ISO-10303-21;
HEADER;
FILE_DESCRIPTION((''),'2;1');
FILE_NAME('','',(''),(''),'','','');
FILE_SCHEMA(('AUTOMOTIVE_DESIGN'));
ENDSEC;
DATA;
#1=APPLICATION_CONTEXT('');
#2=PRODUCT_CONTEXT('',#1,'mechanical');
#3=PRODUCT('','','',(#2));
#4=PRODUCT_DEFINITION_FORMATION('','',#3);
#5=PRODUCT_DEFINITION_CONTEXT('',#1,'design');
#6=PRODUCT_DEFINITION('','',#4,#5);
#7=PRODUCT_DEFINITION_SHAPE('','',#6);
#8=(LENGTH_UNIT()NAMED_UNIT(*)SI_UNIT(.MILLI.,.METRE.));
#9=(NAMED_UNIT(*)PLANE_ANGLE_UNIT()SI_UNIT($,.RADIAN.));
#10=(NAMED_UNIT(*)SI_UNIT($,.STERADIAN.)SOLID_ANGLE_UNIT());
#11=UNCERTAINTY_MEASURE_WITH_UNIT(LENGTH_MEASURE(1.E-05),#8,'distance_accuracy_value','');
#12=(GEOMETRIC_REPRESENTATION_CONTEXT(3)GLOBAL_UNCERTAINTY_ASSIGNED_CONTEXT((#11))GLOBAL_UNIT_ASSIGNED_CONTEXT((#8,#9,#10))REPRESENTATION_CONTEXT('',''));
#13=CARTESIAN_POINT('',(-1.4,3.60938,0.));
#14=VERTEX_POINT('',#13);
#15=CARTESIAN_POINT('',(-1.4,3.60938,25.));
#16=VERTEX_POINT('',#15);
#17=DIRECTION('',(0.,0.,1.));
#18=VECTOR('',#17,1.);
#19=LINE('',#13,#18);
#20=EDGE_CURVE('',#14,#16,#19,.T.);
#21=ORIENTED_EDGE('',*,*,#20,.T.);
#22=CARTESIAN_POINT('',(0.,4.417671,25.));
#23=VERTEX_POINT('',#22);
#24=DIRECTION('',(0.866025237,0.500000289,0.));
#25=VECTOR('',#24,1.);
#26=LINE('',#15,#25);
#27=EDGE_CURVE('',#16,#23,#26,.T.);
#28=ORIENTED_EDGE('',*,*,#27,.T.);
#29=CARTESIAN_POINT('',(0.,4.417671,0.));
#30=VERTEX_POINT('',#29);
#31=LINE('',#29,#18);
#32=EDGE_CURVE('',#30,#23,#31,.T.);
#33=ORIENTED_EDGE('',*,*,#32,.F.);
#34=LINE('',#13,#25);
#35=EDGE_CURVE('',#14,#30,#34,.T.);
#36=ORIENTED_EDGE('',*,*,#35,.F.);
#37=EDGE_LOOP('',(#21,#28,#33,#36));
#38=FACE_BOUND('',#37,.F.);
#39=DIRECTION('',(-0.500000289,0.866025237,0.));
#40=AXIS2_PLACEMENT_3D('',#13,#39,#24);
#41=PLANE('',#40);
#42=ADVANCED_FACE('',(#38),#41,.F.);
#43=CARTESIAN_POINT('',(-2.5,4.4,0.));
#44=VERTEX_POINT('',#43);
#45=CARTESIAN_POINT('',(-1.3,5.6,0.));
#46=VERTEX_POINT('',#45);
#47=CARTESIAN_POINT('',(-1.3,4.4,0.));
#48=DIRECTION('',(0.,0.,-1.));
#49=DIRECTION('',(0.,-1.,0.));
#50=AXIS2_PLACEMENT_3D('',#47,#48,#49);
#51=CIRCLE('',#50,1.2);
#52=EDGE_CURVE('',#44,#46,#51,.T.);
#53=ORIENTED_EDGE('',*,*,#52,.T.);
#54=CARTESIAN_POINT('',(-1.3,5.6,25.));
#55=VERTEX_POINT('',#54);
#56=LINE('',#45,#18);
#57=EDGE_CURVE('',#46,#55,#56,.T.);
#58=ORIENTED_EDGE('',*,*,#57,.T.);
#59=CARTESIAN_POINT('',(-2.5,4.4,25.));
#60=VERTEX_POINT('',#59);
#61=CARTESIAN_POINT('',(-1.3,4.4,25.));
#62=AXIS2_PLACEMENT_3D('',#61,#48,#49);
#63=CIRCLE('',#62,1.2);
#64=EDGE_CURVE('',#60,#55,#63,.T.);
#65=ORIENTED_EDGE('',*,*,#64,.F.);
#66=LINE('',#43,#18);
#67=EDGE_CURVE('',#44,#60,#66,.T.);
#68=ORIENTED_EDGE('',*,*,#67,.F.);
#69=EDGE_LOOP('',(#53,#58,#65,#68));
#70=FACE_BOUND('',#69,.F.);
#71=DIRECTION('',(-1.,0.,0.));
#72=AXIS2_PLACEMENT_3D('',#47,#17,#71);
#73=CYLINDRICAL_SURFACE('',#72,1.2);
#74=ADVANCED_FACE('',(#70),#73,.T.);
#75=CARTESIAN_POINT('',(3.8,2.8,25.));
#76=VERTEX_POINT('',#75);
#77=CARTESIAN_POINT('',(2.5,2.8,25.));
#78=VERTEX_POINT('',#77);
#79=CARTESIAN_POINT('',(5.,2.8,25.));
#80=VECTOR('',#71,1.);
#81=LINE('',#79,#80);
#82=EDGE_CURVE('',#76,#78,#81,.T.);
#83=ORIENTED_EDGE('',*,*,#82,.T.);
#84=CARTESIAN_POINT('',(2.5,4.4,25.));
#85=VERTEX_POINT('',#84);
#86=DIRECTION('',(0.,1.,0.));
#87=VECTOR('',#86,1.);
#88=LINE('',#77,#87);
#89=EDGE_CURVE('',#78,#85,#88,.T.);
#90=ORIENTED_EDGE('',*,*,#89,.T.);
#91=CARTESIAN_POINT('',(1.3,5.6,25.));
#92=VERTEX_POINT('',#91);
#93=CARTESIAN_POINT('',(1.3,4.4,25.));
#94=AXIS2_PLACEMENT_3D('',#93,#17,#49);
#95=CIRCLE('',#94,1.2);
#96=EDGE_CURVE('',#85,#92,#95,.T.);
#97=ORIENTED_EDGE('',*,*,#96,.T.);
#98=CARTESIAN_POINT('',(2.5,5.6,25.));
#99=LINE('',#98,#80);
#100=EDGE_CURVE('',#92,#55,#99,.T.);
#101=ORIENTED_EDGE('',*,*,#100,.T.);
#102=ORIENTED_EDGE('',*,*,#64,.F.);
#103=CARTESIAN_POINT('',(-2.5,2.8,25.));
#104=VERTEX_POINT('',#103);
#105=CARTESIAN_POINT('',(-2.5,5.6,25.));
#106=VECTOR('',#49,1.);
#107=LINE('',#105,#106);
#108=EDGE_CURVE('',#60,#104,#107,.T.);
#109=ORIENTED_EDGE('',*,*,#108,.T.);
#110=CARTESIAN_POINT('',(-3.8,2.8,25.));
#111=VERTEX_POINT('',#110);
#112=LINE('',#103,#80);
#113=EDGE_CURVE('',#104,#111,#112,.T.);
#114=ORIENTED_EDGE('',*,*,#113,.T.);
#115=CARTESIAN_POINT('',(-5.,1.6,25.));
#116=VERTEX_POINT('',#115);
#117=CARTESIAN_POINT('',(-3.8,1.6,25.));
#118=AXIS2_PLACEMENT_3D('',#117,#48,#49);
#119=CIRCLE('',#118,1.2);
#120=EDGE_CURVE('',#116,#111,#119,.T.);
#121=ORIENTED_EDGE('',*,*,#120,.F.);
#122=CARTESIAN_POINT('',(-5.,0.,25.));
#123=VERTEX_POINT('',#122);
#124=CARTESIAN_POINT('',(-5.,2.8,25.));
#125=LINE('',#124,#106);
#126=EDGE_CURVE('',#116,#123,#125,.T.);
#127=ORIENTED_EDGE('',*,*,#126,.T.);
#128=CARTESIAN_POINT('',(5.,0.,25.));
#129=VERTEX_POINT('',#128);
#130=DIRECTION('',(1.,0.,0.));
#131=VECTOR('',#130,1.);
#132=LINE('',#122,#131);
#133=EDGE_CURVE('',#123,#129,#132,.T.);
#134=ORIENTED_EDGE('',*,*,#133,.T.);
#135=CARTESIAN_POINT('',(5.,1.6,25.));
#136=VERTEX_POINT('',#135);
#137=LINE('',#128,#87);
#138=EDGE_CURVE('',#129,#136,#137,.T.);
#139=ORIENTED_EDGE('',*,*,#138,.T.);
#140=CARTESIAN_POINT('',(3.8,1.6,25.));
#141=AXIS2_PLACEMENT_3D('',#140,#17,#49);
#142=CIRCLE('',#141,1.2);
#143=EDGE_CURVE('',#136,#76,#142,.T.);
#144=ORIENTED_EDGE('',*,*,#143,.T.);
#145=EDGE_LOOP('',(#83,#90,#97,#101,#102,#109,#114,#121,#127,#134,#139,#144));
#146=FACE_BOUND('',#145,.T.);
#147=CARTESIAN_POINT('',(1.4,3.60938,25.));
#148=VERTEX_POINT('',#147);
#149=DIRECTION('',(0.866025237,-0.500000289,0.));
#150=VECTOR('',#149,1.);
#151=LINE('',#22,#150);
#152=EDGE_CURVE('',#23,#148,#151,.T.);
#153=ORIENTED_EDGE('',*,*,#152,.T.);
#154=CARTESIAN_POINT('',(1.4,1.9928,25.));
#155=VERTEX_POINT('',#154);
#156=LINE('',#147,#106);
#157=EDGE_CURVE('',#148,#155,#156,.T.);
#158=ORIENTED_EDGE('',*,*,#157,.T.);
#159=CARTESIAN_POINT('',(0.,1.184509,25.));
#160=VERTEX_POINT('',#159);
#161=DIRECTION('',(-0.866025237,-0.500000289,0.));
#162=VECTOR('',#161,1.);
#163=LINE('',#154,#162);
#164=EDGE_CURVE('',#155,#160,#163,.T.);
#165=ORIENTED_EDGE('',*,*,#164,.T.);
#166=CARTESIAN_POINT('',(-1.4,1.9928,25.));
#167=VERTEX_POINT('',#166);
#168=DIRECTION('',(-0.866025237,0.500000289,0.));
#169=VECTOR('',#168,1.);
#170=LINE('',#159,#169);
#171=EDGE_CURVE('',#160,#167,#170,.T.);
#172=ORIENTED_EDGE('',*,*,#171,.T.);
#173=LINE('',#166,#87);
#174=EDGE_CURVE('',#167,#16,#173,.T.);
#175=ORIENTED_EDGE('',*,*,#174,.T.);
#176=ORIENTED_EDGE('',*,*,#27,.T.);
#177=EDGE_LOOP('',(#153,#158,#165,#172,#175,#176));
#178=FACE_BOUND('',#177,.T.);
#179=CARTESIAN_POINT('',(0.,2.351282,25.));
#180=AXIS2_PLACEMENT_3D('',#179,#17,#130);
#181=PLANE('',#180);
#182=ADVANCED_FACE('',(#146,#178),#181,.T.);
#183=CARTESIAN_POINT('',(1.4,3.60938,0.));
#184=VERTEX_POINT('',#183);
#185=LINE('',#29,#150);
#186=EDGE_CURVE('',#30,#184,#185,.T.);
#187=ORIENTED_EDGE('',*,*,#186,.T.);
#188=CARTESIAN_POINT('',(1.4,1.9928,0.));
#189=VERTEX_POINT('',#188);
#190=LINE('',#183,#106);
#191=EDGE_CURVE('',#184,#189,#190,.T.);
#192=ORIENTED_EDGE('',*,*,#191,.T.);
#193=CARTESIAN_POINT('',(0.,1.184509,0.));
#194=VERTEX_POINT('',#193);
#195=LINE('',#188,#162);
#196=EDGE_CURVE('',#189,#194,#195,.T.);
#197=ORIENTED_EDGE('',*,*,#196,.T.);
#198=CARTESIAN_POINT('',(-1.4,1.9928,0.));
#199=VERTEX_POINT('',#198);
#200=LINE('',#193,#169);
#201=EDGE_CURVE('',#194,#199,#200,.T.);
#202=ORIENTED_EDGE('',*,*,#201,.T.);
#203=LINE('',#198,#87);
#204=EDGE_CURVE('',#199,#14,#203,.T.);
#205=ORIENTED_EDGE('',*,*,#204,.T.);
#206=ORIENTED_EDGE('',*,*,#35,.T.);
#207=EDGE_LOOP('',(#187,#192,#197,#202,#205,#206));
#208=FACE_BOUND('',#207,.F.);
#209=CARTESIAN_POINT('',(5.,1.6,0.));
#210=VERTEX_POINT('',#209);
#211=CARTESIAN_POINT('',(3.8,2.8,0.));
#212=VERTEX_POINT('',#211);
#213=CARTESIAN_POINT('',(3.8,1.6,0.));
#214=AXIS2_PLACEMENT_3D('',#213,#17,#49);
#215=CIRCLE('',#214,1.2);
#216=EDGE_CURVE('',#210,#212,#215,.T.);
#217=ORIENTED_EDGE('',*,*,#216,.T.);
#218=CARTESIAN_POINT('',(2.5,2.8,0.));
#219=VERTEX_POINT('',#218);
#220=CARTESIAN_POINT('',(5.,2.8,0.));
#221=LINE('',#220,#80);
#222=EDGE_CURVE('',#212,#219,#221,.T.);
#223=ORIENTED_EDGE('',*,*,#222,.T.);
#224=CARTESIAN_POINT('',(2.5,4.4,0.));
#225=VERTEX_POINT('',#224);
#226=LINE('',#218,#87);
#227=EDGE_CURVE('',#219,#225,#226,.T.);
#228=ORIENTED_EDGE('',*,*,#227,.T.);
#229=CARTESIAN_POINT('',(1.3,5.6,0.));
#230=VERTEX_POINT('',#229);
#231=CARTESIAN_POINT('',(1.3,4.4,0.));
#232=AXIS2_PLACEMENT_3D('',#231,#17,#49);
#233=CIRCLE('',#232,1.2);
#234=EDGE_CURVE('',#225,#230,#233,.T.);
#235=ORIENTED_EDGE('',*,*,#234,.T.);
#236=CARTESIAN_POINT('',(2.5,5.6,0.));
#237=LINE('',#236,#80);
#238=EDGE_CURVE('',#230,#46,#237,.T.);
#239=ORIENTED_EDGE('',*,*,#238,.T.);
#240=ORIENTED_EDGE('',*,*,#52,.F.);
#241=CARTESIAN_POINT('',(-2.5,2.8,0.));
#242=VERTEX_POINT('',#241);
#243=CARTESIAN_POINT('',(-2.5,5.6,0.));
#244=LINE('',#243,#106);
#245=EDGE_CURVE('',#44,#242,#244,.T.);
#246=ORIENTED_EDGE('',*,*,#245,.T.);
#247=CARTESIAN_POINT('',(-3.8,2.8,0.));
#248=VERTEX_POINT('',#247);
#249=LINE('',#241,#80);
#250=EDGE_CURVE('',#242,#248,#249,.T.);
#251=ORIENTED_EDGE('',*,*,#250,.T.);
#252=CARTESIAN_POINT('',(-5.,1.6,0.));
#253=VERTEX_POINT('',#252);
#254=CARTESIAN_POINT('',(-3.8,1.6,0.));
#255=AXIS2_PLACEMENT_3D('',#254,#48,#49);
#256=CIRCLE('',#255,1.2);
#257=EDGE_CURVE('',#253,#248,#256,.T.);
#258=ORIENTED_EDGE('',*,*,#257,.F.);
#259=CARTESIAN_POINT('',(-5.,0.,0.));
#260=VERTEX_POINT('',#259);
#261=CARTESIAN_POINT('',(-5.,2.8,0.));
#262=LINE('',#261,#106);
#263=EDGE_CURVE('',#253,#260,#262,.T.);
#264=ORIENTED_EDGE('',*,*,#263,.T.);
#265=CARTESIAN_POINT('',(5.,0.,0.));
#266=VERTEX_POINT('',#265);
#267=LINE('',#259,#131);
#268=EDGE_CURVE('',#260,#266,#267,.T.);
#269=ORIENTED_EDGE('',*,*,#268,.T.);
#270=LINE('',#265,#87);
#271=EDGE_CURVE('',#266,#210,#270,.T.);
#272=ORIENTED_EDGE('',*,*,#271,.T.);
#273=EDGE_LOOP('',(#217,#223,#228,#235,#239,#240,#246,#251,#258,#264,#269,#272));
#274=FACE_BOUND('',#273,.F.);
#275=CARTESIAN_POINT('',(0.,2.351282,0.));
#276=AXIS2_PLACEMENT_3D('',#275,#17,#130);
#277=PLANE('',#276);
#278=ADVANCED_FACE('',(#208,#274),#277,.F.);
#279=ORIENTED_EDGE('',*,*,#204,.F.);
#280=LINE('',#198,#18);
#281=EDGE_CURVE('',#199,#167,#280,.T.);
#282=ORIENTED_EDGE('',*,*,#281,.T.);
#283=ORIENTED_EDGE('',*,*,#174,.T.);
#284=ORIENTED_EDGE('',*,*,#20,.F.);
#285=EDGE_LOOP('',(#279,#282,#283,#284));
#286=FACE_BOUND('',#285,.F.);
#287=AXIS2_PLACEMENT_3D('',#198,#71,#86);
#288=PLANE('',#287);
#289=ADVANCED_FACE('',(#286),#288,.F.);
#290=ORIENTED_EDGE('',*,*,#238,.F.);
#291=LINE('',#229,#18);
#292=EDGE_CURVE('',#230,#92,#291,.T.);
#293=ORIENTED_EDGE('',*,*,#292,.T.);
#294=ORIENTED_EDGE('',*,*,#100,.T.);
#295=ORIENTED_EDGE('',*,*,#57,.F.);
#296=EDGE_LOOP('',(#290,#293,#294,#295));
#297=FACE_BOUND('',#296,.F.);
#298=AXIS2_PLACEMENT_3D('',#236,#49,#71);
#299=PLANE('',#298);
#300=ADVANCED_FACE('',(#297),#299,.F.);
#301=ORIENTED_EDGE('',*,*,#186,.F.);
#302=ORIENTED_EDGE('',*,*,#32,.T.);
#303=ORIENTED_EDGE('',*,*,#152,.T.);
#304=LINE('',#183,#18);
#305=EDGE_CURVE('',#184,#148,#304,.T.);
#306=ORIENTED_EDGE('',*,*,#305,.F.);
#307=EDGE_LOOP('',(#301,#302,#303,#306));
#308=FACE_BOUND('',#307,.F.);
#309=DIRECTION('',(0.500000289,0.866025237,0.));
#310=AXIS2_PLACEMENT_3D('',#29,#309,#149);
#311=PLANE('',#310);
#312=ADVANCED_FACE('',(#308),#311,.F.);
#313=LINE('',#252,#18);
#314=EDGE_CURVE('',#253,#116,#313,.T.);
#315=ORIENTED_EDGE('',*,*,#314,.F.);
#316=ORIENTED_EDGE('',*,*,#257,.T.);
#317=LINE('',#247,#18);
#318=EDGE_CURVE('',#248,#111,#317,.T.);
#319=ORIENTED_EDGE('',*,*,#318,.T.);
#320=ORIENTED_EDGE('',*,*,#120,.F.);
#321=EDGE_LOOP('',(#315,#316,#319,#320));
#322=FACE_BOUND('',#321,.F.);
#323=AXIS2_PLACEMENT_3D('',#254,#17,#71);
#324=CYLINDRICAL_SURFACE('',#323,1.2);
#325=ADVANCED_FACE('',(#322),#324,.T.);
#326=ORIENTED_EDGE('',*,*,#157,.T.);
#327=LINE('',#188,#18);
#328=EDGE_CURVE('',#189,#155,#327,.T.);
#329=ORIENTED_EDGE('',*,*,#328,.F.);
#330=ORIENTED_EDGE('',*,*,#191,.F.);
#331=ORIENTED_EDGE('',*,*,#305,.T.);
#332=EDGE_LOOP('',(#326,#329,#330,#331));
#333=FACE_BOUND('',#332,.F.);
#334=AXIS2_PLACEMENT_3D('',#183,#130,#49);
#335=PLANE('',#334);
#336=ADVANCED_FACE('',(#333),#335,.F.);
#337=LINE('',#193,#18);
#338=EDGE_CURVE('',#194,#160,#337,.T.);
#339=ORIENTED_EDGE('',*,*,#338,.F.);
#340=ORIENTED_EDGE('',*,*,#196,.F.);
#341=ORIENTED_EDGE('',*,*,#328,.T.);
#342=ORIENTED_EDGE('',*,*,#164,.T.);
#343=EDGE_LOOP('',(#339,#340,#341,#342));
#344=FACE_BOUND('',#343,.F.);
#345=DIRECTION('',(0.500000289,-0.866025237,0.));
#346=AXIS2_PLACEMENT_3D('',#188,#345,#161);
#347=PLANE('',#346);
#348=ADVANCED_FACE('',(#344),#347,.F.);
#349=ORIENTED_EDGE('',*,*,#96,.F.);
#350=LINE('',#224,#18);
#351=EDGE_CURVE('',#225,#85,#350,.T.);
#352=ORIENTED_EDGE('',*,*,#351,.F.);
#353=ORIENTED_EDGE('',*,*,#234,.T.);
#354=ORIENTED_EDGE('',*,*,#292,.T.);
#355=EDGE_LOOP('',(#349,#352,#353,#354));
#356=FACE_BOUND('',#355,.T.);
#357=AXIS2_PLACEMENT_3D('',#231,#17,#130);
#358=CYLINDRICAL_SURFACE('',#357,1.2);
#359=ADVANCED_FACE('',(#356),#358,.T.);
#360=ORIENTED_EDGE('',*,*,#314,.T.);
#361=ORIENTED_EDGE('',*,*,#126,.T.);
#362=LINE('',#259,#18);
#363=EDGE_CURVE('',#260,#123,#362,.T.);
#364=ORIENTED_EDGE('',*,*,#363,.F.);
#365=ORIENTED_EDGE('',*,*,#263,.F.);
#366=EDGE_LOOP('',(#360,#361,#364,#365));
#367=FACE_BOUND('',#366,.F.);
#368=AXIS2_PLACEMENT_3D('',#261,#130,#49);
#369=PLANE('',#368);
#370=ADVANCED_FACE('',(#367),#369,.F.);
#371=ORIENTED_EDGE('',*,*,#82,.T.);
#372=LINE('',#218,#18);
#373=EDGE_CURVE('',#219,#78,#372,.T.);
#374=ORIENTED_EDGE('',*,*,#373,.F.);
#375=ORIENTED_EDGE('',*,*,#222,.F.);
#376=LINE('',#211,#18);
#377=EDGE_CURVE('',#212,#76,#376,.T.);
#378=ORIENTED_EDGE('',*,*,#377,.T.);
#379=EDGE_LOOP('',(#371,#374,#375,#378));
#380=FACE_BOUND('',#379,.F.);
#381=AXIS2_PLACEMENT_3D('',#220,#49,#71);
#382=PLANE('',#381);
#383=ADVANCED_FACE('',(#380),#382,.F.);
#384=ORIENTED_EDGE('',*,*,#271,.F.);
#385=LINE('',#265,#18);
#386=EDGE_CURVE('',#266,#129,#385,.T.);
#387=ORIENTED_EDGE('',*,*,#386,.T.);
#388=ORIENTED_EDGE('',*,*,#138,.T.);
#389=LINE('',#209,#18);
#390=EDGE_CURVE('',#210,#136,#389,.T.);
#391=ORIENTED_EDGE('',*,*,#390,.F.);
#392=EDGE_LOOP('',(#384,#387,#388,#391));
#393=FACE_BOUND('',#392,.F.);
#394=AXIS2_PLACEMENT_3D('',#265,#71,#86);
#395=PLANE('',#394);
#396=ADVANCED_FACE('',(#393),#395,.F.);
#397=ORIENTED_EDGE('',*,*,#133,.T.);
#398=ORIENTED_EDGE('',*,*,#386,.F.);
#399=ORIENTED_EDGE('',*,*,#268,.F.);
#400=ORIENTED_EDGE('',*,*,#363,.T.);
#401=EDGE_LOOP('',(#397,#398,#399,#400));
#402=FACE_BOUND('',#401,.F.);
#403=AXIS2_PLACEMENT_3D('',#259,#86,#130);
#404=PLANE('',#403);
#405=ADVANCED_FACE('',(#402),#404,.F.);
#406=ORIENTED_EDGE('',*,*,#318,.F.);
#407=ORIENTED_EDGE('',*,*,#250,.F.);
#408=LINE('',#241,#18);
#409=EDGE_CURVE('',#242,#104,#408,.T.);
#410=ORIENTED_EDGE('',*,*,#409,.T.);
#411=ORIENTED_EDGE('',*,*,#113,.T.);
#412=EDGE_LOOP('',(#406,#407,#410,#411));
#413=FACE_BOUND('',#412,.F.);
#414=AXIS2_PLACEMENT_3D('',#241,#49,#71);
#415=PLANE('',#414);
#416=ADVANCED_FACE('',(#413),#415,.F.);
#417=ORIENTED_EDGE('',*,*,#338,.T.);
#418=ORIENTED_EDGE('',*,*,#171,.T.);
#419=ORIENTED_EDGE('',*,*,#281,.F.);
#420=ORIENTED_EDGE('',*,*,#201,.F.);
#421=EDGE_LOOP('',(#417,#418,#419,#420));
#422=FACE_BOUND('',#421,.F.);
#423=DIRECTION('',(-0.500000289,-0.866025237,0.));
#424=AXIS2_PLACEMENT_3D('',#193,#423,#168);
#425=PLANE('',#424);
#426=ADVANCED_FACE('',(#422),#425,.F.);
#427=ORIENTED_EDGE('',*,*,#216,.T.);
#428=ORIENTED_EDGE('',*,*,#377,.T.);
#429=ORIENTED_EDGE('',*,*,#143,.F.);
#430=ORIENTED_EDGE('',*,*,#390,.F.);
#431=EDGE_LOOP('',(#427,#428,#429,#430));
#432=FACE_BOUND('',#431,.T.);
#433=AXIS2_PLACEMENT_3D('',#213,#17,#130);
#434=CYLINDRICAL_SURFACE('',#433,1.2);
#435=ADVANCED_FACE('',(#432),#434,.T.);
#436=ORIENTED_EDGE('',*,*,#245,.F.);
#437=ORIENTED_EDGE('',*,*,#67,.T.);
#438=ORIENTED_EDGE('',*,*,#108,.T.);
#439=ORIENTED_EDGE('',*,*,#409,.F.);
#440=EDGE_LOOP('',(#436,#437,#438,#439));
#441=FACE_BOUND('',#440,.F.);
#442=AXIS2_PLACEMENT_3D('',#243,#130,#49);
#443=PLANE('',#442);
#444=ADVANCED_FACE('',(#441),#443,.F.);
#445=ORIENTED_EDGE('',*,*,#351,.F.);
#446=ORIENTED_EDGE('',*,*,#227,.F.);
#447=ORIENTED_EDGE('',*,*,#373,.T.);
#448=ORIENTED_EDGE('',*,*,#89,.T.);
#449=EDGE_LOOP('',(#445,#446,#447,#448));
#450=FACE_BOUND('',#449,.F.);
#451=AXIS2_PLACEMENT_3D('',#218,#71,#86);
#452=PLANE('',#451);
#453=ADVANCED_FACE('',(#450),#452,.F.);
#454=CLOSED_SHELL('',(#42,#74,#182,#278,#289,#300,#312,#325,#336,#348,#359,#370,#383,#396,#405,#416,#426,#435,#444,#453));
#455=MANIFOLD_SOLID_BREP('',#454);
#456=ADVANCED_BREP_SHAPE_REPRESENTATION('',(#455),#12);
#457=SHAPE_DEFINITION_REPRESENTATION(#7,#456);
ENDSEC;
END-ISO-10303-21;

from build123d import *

# Parameters (mm, degrees)
F1_DEPTH = 25
F2_R     = 1.2


with BuildPart() as f1:
    # F0 (on Top) → F1 (new body)
    with BuildSketch(Plane.XY):
        Polygon((-5, 0), (0, 0), (5, 0), (5, 2.8), (2.5, 2.8), (2.5, 5.6), (-2.5, 5.6), (-2.5, 2.8), (-5, 2.8), align=None)
        Polygon((0, 4.417671), (1.4, 3.60938), (1.4, 1.9928), (0, 1.184509), (-1.4, 1.9928), (-1.4, 3.60938), align=None, mode=Mode.SUBTRACT)
    extrude(amount=F1_DEPTH)

    # F2
    f2_edges = [f1.edges().sort_by_distance(p)[0] for p in [
        (-2.5, 5.6, 12.5),
        (2.5, 5.6, 12.5),
        (5, 2.8, 12.5),
        (-5, 2.8, 12.5),
    ]]
    fillet(f2_edges, radius=F2_R)


solid = f1.part
